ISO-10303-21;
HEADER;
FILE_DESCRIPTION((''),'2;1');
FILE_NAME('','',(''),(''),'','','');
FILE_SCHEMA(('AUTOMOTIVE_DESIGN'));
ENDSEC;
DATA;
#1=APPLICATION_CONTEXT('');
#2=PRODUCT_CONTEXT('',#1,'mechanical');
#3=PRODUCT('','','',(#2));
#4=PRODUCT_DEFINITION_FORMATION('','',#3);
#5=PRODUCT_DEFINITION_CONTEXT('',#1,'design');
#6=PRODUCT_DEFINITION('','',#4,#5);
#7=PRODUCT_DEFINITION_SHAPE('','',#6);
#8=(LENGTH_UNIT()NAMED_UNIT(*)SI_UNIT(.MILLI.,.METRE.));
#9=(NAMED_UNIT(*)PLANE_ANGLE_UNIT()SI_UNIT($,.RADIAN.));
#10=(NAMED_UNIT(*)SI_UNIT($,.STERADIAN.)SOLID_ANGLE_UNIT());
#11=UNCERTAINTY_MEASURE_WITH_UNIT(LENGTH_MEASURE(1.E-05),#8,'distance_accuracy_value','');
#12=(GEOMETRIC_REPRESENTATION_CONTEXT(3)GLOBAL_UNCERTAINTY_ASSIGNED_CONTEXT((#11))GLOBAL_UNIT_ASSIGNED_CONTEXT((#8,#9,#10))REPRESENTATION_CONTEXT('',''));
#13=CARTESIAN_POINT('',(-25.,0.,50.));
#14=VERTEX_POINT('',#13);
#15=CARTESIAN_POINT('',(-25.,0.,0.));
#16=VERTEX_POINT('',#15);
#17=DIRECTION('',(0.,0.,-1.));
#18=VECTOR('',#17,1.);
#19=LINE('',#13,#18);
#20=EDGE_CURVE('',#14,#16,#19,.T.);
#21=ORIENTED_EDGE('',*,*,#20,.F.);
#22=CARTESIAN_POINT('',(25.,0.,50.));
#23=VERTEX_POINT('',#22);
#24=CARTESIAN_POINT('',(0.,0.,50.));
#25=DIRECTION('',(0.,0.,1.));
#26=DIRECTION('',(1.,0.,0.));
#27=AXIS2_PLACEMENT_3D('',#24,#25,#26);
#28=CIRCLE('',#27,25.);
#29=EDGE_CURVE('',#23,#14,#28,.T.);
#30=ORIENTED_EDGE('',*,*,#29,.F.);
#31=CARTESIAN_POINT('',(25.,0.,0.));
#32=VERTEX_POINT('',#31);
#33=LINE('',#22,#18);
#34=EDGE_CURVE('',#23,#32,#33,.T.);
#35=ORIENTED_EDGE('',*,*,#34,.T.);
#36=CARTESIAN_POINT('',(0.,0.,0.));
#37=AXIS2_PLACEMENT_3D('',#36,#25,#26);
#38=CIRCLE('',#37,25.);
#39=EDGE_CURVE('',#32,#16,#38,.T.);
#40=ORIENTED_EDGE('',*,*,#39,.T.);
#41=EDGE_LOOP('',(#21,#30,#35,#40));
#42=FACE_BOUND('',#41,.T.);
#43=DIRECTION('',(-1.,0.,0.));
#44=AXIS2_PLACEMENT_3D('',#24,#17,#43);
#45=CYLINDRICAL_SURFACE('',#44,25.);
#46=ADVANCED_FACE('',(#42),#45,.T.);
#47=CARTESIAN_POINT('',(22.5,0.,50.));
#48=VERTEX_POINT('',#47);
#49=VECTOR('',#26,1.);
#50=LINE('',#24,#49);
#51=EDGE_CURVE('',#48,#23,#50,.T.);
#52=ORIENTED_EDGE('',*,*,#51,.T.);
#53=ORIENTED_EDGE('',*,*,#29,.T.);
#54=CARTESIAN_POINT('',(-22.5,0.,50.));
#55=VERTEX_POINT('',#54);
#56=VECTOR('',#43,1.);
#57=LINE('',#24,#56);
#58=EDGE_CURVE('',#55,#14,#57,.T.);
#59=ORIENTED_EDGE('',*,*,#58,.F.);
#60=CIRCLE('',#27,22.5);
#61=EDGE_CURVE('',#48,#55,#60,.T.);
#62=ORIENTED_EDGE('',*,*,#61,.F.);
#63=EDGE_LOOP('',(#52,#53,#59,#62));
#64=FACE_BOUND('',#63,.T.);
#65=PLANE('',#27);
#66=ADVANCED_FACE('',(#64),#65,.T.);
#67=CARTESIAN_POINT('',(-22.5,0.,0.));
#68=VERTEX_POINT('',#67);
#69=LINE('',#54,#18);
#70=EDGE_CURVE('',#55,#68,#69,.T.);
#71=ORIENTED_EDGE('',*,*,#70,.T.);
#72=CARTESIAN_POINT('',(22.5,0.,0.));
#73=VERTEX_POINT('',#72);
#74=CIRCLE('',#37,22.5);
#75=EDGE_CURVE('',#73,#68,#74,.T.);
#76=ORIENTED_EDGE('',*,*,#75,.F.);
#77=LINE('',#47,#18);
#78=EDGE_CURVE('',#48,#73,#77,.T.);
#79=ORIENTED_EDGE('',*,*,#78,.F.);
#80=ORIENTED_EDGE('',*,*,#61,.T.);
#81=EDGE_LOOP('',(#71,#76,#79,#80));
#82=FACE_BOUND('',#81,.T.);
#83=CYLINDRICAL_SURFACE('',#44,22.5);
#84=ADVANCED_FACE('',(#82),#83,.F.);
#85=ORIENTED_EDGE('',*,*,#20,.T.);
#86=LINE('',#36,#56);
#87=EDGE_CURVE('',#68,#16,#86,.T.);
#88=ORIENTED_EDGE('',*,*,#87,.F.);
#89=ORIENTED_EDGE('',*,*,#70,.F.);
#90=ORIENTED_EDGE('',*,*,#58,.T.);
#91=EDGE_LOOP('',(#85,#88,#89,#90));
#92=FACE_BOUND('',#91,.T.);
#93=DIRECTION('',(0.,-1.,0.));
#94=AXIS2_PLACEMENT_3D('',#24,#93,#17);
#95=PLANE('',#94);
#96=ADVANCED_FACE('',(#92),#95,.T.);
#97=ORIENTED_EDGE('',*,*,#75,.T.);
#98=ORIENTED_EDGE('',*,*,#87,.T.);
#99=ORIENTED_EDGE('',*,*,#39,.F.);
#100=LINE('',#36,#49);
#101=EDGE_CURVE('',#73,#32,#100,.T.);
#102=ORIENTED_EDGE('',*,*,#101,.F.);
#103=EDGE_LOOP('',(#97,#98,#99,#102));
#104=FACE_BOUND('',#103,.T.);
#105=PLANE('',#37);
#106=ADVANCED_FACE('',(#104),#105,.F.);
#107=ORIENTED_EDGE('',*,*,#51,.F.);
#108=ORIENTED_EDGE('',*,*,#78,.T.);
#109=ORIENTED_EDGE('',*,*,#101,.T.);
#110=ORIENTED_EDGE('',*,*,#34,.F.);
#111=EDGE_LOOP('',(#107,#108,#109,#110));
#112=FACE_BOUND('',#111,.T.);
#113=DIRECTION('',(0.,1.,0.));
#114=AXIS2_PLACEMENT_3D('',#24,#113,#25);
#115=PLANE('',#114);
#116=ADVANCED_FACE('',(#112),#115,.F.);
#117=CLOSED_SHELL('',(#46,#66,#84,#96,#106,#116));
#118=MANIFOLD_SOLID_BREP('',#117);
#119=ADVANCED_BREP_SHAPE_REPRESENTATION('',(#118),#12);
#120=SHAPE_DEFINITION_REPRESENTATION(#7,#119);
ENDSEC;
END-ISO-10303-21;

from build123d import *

# Parameters (mm, degrees)
BOSS_EXTRU_2_DEPTH = 50


with BuildPart() as part:
    # Esquisse2 → Boss.-Extru.2 (new body)
    with BuildSketch(Plane.XY):
        with BuildLine():
            ThreePointArc((-22.5, 0), (0, 22.5), (22.5, 0))
            Line((22.5, 0), (25, 0))
            ThreePointArc((25, 0), (0, 25), (-25, 0))
            Line((-25, 0), (-22.5, 0))
        make_face()
    extrude(amount=BOSS_EXTRU_2_DEPTH)


solid = part.part
